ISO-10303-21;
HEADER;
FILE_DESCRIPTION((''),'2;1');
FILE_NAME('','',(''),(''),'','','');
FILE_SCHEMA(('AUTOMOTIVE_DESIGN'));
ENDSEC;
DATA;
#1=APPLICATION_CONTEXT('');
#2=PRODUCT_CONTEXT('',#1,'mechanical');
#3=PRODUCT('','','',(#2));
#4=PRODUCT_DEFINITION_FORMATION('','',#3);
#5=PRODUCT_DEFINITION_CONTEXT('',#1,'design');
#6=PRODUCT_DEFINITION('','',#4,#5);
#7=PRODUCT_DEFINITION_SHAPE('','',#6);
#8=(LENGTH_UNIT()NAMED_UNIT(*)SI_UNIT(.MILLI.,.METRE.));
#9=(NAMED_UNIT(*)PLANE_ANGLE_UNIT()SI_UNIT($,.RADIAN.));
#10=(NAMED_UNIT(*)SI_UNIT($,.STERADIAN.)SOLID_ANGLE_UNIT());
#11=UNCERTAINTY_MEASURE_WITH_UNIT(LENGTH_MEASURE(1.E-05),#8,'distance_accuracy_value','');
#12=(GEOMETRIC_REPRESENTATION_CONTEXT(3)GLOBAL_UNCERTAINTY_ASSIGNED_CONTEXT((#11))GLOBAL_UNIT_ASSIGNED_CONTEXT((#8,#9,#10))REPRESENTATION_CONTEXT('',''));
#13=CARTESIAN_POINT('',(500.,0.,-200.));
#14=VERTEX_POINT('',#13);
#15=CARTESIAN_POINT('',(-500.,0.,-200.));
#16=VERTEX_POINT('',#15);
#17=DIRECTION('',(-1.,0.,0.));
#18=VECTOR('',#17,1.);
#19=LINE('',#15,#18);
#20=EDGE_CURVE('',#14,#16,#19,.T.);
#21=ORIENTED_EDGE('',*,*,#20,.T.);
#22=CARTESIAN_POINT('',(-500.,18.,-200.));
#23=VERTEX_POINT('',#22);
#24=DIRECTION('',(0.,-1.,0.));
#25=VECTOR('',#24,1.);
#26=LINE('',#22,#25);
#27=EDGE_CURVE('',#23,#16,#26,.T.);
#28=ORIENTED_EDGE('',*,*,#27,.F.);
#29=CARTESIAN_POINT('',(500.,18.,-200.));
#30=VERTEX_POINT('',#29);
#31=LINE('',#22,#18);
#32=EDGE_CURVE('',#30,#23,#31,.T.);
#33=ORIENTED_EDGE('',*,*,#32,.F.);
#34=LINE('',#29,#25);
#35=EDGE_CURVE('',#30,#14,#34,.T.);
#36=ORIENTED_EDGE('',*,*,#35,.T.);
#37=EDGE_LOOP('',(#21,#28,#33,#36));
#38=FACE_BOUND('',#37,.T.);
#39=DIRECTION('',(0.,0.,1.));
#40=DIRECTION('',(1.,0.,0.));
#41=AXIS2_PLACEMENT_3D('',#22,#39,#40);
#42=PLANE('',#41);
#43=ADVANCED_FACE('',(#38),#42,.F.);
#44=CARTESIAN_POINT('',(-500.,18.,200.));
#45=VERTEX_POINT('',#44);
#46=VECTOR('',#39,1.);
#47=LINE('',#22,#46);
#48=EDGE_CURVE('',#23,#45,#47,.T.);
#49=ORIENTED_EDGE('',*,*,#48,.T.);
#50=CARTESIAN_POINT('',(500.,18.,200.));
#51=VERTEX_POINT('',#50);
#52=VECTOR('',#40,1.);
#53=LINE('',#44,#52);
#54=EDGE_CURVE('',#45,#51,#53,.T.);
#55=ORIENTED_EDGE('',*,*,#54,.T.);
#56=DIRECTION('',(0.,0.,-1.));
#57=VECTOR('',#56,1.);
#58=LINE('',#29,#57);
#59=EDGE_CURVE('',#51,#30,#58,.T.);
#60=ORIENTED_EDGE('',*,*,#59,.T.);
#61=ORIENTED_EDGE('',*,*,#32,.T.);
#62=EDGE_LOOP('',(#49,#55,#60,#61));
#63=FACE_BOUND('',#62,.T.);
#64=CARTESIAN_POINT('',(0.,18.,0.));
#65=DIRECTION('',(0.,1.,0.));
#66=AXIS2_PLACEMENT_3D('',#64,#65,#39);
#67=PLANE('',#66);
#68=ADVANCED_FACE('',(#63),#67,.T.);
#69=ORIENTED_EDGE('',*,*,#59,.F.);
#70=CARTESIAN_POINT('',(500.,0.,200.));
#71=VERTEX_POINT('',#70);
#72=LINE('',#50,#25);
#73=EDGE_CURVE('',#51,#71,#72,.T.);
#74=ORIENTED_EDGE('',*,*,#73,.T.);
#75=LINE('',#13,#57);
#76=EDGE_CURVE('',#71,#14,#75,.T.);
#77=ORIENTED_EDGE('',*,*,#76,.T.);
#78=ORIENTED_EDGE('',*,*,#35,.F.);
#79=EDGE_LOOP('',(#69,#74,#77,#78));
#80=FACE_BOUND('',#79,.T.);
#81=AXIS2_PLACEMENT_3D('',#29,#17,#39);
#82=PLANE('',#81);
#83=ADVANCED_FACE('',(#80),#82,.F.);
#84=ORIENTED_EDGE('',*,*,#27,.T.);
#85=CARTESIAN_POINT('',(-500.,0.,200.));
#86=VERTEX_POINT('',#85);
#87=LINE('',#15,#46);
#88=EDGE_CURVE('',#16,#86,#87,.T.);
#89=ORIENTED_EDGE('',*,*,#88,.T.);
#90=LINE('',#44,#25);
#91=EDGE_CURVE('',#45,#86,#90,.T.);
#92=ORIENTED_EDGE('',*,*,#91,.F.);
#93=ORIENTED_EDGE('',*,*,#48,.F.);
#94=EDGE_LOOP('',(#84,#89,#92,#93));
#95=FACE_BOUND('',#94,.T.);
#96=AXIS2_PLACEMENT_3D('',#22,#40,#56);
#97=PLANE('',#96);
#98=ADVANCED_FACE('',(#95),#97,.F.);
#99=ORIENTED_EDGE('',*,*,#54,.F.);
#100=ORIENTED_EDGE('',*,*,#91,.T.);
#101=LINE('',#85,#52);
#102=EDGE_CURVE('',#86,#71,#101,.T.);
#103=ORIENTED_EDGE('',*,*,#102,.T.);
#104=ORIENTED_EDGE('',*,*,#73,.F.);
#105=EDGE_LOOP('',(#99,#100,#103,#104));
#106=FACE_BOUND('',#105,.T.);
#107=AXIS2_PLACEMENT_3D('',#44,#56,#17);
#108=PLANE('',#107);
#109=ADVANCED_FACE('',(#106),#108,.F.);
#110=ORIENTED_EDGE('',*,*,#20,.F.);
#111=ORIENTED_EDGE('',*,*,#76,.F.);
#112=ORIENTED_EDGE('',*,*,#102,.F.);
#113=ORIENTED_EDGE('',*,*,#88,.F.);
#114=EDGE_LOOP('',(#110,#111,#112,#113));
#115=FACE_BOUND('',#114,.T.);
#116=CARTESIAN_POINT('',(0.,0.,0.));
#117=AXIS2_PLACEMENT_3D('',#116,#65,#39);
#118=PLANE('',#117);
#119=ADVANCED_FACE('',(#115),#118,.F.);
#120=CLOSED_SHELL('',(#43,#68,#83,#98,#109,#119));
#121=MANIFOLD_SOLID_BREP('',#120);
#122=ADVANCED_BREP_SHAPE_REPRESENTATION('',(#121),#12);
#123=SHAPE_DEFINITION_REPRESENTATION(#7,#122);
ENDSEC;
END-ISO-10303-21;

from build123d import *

# Parameters (mm, degrees)
ESQUISSE1_W        = 1000
ESQUISSE1_H        = 400
BOSS_EXTRU_1_DEPTH = 18


with BuildPart() as part:
    # Esquisse1 → Boss.-Extru.1 (new body)
    with BuildSketch(Plane(origin=(0, 0, 0), x_dir=(1, 0, 0), z_dir=(0, 1, 0))):
        Rectangle(ESQUISSE1_W, ESQUISSE1_H)
    extrude(amount=BOSS_EXTRU_1_DEPTH)


solid = part.part
